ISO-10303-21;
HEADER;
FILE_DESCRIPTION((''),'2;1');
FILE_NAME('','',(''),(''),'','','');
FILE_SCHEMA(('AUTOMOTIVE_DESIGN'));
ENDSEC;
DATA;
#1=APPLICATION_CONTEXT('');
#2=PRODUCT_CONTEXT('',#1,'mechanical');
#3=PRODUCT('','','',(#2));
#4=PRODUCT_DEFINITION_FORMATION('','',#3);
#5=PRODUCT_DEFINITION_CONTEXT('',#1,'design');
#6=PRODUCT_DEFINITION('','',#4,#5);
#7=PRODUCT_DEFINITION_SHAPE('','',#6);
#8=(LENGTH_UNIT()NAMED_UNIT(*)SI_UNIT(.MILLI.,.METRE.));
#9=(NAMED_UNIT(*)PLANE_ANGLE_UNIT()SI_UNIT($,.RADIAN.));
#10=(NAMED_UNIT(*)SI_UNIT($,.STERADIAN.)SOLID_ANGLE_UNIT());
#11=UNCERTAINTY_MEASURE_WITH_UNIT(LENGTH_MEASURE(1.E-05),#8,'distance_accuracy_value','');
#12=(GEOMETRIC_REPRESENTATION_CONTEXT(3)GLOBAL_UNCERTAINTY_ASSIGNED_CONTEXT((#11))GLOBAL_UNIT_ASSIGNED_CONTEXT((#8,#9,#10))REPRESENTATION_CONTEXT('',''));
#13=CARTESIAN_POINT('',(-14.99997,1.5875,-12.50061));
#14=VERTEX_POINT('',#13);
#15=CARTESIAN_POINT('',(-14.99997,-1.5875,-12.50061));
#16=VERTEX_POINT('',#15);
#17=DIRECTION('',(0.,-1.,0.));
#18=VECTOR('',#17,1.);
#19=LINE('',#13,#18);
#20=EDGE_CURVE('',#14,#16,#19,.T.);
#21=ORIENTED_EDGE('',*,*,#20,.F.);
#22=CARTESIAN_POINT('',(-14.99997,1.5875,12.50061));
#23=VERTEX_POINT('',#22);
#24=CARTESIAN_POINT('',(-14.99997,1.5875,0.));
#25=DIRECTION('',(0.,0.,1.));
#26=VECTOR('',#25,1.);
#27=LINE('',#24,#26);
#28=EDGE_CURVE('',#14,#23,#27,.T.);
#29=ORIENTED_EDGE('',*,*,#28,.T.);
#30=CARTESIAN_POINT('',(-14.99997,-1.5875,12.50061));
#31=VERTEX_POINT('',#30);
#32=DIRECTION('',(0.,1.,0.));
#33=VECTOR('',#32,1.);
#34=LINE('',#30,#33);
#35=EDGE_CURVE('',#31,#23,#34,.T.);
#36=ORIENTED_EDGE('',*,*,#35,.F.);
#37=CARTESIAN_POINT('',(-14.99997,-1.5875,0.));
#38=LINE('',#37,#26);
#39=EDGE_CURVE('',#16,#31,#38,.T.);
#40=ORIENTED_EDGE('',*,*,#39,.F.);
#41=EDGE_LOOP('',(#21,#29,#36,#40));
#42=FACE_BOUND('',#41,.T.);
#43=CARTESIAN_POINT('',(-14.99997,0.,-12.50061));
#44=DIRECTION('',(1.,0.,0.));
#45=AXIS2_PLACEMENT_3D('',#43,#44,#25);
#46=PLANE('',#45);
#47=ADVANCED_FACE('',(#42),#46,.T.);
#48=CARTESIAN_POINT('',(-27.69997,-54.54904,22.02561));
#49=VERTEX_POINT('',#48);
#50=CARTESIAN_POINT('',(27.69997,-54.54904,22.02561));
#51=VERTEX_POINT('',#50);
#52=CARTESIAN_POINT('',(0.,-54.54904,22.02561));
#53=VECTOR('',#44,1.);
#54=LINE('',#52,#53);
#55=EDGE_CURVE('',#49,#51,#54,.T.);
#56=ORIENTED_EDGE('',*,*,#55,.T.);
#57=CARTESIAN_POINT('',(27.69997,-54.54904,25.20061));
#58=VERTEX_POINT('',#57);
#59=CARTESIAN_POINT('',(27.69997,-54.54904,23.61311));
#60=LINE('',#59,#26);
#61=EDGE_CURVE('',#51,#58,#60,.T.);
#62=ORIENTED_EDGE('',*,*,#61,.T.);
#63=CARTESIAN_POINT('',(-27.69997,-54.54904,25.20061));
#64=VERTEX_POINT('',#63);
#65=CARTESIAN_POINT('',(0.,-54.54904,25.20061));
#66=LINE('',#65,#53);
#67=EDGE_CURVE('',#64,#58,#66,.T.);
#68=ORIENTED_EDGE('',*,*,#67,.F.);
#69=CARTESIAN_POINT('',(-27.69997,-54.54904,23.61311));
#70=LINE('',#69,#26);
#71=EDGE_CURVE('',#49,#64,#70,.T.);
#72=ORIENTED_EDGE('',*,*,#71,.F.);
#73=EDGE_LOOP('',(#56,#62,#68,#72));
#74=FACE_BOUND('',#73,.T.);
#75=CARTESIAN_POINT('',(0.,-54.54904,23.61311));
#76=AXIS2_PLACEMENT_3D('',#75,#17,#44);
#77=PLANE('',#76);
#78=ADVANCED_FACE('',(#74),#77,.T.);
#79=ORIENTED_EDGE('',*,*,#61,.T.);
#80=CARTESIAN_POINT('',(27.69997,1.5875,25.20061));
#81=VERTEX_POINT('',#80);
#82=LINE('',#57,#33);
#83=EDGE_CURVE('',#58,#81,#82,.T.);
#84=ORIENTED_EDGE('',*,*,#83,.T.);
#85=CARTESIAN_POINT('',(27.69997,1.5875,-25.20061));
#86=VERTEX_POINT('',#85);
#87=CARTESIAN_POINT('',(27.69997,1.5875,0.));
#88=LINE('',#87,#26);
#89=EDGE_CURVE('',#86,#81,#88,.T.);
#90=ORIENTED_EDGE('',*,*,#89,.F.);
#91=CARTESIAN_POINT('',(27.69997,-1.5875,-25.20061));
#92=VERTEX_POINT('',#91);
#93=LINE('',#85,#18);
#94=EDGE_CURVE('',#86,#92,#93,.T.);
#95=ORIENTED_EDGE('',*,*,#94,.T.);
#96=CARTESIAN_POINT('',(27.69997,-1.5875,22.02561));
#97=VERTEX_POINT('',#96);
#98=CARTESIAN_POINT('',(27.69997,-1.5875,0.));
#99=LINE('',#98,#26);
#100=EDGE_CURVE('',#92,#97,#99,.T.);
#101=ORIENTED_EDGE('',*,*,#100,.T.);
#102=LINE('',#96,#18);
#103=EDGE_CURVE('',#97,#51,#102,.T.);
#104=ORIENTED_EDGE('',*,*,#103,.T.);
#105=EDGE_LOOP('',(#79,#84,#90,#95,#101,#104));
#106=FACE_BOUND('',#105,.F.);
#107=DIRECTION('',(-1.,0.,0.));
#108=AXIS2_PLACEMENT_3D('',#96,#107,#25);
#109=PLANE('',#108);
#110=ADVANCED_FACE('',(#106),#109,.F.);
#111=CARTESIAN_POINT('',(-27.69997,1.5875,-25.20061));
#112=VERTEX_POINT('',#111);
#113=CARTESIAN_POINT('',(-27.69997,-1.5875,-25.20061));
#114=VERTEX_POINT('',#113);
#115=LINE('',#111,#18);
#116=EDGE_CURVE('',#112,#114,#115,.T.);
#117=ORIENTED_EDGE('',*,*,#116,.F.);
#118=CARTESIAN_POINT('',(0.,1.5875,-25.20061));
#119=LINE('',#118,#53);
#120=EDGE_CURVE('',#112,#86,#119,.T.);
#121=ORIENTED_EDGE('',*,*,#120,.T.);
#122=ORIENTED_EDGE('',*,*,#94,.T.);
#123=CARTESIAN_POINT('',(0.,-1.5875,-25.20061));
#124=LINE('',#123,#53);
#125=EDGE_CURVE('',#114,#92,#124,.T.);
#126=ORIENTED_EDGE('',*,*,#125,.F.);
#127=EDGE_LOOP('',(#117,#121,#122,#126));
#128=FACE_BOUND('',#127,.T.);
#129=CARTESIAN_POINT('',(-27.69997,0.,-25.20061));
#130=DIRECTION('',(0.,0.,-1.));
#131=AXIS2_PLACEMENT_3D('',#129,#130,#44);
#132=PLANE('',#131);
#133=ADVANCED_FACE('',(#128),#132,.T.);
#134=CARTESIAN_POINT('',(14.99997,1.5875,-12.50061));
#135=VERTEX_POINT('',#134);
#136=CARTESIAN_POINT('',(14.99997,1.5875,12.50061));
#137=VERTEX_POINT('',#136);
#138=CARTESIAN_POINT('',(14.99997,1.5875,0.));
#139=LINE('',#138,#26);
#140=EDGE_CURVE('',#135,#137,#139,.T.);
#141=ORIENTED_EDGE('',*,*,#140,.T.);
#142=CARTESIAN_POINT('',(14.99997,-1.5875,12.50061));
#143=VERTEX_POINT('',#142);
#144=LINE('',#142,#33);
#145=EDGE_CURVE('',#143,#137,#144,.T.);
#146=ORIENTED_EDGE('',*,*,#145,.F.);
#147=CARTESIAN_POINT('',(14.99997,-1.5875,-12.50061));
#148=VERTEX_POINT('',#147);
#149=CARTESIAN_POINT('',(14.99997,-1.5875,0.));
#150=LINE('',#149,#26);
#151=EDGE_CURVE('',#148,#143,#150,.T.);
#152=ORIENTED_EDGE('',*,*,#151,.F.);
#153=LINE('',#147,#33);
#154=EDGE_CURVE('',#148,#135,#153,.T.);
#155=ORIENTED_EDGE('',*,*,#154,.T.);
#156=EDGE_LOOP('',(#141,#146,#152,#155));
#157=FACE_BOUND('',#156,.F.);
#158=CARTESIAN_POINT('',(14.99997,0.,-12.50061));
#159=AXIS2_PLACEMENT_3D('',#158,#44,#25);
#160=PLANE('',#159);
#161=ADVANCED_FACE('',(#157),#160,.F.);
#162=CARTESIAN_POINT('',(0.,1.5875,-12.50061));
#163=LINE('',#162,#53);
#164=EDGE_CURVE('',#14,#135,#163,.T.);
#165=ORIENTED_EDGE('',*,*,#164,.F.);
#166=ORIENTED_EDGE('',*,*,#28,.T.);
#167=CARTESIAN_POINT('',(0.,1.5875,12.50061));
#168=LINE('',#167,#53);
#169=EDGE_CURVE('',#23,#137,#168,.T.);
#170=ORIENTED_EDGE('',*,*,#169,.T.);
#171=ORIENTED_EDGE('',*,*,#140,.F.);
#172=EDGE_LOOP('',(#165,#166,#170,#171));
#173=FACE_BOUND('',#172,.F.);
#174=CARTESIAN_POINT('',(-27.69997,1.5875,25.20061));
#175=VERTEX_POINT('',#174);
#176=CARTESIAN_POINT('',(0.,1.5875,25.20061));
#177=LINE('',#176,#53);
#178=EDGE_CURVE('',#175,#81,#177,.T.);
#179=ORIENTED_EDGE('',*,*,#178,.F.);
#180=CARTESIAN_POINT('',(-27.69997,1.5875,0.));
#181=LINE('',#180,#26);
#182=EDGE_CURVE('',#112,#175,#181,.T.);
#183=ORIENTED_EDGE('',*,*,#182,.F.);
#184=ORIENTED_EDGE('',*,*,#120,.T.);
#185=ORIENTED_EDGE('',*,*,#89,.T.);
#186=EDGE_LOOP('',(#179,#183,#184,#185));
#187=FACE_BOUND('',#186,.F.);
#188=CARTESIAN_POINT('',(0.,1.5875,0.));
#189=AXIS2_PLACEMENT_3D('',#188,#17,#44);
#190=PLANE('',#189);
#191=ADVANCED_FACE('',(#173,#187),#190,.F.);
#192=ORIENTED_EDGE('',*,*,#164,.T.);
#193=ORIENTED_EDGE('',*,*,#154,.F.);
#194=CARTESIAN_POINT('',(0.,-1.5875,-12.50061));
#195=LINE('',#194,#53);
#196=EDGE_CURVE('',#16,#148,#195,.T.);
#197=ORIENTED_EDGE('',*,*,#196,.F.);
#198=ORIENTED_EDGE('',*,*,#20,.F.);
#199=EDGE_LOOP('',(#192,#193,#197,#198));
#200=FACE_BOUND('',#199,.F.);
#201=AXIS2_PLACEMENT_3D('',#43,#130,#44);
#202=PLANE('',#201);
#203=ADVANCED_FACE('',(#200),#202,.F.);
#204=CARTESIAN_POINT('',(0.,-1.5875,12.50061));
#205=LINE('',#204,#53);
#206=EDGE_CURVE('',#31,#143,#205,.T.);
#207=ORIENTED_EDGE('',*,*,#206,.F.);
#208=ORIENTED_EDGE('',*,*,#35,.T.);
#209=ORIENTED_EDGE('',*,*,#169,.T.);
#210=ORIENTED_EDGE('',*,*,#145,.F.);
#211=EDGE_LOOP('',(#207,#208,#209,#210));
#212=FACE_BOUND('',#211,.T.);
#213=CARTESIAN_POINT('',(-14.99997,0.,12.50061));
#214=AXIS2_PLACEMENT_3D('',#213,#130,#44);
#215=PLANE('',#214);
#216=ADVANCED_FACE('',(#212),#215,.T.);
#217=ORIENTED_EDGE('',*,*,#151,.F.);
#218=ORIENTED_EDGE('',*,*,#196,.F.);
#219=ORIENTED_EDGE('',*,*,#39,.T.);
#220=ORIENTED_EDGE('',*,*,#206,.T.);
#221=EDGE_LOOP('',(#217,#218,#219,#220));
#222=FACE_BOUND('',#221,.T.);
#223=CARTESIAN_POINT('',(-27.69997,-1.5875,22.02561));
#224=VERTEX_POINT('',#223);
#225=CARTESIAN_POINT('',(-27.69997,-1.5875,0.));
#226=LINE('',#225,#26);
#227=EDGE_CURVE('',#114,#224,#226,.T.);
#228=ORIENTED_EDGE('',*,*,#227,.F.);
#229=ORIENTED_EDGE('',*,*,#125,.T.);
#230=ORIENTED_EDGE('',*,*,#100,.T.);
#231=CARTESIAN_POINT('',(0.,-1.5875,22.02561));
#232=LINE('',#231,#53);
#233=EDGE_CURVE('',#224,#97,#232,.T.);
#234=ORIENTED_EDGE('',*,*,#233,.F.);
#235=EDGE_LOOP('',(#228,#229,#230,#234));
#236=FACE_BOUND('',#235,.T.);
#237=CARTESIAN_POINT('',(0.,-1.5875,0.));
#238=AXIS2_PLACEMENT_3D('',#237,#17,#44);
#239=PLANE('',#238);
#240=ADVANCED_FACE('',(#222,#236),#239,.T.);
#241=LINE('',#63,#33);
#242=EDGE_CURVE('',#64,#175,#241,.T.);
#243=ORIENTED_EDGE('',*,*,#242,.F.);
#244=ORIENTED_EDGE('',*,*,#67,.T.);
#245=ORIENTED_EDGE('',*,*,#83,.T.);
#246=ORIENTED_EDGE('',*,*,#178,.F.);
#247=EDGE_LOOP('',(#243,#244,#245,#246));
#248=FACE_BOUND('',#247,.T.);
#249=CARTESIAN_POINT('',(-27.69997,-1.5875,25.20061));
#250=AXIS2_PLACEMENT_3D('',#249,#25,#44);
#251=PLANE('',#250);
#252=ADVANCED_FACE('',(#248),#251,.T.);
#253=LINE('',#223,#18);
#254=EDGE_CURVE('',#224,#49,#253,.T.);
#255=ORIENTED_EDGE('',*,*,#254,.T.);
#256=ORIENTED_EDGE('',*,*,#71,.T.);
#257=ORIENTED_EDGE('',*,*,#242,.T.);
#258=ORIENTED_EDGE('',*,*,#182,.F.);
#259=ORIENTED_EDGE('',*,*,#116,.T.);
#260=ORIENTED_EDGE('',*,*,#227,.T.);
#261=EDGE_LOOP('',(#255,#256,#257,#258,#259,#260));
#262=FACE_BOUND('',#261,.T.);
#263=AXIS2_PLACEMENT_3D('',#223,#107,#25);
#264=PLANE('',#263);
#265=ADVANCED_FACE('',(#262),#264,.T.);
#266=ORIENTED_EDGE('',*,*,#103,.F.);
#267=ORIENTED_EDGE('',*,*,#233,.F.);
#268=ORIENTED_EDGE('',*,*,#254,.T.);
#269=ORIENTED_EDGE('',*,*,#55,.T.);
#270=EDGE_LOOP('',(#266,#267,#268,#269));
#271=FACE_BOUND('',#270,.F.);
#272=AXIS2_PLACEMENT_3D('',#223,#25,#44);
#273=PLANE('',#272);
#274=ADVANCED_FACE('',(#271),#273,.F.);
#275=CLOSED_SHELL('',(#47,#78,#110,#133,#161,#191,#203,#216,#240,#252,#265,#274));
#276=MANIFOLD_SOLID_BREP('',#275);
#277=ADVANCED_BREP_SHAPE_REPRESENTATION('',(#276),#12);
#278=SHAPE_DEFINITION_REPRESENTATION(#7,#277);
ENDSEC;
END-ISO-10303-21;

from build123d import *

# Parameters (mm, degrees)
F0_W     = 55.39994
F0_H     = 50.40122
F0_W_2   = 29.99994
F0_H_2   = 25.00122
F1_DEPTH = 1.5875
F2_W     = 55.39994
F2_H     = 3.175
F3_DEPTH = 52.96154


with BuildPart() as f1:
    # F0 (on Front) → F1 (new body, symmetric)
    with BuildSketch(Plane.XZ):
        Rectangle(F0_W, F0_H)
        Rectangle(F0_W_2, F0_H_2, mode=Mode.SUBTRACT)
    extrude(amount=F1_DEPTH, both=True)

    # F2 (on face) → F3 (join)
    with BuildSketch(Plane.XZ.offset(1.5875)):
        with Locations((0, 23.61311)):
            Rectangle(F2_W, F2_H)
    extrude(amount=F3_DEPTH)


solid = f1.part
